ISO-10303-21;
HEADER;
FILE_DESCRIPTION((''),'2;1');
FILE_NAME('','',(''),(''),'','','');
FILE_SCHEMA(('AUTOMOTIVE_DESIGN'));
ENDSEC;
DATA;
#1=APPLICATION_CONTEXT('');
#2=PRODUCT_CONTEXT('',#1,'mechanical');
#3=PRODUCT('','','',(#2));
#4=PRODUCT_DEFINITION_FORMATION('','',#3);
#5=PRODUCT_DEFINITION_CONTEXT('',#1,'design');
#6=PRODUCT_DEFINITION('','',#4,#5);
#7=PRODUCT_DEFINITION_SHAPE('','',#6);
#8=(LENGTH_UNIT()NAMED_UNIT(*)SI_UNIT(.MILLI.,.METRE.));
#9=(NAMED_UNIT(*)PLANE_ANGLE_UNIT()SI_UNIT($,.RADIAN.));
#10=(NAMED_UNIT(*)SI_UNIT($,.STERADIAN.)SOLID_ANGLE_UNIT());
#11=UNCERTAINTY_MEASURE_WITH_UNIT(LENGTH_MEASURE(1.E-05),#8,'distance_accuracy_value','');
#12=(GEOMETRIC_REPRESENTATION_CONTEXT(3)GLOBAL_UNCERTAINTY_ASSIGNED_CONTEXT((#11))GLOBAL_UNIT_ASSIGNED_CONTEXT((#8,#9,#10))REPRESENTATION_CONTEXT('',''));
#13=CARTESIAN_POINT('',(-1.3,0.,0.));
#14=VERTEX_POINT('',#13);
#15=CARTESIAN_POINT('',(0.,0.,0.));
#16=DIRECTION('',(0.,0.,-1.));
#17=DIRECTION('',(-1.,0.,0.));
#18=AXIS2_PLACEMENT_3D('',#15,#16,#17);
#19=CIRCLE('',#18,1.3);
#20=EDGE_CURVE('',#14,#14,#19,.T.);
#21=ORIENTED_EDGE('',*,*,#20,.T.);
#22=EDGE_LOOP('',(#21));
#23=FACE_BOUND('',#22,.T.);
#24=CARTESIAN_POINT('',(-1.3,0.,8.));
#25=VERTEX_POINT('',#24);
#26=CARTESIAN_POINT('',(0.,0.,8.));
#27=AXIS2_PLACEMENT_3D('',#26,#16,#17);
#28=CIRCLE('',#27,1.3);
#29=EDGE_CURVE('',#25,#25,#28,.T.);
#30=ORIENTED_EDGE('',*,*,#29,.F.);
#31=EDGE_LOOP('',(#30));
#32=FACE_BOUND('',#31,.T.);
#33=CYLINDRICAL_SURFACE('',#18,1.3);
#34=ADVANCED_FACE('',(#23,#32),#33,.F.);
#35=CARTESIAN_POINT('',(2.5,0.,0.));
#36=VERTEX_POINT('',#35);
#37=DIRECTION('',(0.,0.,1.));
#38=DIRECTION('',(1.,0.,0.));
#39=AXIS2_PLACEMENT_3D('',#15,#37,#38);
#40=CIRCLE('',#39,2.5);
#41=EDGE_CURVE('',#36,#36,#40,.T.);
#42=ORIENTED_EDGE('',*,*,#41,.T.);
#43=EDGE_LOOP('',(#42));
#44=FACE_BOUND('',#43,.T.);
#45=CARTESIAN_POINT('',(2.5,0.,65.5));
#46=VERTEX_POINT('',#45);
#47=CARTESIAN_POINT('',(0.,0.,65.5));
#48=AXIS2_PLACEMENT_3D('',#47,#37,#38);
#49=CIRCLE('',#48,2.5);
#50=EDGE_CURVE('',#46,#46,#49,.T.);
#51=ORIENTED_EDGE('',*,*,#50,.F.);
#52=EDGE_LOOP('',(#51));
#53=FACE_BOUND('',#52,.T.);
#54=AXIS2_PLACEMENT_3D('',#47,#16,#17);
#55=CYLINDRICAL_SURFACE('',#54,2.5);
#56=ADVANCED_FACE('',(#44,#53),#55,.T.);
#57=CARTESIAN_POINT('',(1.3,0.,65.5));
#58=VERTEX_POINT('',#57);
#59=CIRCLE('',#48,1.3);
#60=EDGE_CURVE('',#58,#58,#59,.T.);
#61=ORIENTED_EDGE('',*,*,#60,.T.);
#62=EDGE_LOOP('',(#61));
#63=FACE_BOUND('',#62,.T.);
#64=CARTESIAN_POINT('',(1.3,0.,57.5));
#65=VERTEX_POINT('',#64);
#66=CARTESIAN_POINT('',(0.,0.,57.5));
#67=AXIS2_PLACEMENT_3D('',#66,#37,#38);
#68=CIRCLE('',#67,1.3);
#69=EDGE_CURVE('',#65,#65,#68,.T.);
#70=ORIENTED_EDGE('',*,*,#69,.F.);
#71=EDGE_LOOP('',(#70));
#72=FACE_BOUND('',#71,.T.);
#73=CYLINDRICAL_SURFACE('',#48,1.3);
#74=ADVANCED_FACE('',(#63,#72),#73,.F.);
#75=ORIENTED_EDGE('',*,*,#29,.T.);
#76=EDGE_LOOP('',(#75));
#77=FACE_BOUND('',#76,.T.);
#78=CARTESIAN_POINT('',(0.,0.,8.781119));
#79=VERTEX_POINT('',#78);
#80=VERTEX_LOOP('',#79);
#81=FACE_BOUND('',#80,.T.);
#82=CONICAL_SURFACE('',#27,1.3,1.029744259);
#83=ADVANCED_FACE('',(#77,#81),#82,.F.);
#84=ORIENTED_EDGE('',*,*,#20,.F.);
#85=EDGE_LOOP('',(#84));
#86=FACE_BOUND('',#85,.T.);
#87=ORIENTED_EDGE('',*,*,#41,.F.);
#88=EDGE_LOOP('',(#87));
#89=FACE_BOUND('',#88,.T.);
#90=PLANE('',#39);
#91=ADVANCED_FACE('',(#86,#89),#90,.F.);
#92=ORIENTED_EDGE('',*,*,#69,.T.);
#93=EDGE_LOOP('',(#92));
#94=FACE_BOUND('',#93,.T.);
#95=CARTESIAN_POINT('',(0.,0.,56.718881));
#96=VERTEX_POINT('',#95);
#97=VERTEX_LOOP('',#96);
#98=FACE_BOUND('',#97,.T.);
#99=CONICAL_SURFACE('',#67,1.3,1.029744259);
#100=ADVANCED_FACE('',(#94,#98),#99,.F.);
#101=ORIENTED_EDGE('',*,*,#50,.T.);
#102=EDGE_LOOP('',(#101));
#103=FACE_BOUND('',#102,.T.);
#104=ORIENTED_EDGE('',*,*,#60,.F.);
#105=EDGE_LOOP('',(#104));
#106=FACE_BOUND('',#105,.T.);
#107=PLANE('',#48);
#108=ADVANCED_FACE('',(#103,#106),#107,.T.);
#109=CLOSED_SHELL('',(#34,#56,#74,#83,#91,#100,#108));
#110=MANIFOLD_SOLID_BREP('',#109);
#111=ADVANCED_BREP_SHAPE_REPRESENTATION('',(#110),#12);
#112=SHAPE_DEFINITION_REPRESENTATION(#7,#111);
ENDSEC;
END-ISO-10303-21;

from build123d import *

# Parameters (mm, degrees)
SKETCH1_R                 = 2.5
BOSS_EXTRUDE1_DEPTH       = 65.5
M3X0_5_TAPPED_HOLE1_D     = 2.6
M3X0_5_TAPPED_HOLE1_DEPTH = 8
M3X0_5_TAPPED_HOLE1_TIP   = 0.781118805
M3X0_5_TAPPED_HOLE2_D     = 2.6
M3X0_5_TAPPED_HOLE2_DEPTH = 8
M3X0_5_TAPPED_HOLE2_TIP   = 0.781118805


with BuildPart() as part:
    # Sketch1 → Boss-Extrude1 (new body)
    with BuildSketch(Plane.XY):
        Circle(SKETCH1_R)
    extrude(amount=BOSS_EXTRUDE1_DEPTH)

    # M3x0.5 Tapped Hole1
    with Locations(Plane.XY.offset(65.5)):
        with Locations((0, 0)):
            Hole(M3X0_5_TAPPED_HOLE1_D / 2, depth=M3X0_5_TAPPED_HOLE1_DEPTH)
            with Locations((0, 0, -(M3X0_5_TAPPED_HOLE1_DEPTH + M3X0_5_TAPPED_HOLE1_TIP / 2))):  # 118° drill point
                Cone(0, M3X0_5_TAPPED_HOLE1_D / 2, M3X0_5_TAPPED_HOLE1_TIP, mode=Mode.SUBTRACT)

    # M3x0.5 Tapped Hole2
    with Locations(Plane(origin=(0, 0, 0), x_dir=(-1, 0, 0), z_dir=(0, 0, -1))):
        with Locations((0, 0)):
            Hole(M3X0_5_TAPPED_HOLE2_D / 2, depth=M3X0_5_TAPPED_HOLE2_DEPTH)
            with Locations((0, 0, -(M3X0_5_TAPPED_HOLE2_DEPTH + M3X0_5_TAPPED_HOLE2_TIP / 2))):  # 118° drill point
                Cone(0, M3X0_5_TAPPED_HOLE2_D / 2, M3X0_5_TAPPED_HOLE2_TIP, mode=Mode.SUBTRACT)


solid = part.part
